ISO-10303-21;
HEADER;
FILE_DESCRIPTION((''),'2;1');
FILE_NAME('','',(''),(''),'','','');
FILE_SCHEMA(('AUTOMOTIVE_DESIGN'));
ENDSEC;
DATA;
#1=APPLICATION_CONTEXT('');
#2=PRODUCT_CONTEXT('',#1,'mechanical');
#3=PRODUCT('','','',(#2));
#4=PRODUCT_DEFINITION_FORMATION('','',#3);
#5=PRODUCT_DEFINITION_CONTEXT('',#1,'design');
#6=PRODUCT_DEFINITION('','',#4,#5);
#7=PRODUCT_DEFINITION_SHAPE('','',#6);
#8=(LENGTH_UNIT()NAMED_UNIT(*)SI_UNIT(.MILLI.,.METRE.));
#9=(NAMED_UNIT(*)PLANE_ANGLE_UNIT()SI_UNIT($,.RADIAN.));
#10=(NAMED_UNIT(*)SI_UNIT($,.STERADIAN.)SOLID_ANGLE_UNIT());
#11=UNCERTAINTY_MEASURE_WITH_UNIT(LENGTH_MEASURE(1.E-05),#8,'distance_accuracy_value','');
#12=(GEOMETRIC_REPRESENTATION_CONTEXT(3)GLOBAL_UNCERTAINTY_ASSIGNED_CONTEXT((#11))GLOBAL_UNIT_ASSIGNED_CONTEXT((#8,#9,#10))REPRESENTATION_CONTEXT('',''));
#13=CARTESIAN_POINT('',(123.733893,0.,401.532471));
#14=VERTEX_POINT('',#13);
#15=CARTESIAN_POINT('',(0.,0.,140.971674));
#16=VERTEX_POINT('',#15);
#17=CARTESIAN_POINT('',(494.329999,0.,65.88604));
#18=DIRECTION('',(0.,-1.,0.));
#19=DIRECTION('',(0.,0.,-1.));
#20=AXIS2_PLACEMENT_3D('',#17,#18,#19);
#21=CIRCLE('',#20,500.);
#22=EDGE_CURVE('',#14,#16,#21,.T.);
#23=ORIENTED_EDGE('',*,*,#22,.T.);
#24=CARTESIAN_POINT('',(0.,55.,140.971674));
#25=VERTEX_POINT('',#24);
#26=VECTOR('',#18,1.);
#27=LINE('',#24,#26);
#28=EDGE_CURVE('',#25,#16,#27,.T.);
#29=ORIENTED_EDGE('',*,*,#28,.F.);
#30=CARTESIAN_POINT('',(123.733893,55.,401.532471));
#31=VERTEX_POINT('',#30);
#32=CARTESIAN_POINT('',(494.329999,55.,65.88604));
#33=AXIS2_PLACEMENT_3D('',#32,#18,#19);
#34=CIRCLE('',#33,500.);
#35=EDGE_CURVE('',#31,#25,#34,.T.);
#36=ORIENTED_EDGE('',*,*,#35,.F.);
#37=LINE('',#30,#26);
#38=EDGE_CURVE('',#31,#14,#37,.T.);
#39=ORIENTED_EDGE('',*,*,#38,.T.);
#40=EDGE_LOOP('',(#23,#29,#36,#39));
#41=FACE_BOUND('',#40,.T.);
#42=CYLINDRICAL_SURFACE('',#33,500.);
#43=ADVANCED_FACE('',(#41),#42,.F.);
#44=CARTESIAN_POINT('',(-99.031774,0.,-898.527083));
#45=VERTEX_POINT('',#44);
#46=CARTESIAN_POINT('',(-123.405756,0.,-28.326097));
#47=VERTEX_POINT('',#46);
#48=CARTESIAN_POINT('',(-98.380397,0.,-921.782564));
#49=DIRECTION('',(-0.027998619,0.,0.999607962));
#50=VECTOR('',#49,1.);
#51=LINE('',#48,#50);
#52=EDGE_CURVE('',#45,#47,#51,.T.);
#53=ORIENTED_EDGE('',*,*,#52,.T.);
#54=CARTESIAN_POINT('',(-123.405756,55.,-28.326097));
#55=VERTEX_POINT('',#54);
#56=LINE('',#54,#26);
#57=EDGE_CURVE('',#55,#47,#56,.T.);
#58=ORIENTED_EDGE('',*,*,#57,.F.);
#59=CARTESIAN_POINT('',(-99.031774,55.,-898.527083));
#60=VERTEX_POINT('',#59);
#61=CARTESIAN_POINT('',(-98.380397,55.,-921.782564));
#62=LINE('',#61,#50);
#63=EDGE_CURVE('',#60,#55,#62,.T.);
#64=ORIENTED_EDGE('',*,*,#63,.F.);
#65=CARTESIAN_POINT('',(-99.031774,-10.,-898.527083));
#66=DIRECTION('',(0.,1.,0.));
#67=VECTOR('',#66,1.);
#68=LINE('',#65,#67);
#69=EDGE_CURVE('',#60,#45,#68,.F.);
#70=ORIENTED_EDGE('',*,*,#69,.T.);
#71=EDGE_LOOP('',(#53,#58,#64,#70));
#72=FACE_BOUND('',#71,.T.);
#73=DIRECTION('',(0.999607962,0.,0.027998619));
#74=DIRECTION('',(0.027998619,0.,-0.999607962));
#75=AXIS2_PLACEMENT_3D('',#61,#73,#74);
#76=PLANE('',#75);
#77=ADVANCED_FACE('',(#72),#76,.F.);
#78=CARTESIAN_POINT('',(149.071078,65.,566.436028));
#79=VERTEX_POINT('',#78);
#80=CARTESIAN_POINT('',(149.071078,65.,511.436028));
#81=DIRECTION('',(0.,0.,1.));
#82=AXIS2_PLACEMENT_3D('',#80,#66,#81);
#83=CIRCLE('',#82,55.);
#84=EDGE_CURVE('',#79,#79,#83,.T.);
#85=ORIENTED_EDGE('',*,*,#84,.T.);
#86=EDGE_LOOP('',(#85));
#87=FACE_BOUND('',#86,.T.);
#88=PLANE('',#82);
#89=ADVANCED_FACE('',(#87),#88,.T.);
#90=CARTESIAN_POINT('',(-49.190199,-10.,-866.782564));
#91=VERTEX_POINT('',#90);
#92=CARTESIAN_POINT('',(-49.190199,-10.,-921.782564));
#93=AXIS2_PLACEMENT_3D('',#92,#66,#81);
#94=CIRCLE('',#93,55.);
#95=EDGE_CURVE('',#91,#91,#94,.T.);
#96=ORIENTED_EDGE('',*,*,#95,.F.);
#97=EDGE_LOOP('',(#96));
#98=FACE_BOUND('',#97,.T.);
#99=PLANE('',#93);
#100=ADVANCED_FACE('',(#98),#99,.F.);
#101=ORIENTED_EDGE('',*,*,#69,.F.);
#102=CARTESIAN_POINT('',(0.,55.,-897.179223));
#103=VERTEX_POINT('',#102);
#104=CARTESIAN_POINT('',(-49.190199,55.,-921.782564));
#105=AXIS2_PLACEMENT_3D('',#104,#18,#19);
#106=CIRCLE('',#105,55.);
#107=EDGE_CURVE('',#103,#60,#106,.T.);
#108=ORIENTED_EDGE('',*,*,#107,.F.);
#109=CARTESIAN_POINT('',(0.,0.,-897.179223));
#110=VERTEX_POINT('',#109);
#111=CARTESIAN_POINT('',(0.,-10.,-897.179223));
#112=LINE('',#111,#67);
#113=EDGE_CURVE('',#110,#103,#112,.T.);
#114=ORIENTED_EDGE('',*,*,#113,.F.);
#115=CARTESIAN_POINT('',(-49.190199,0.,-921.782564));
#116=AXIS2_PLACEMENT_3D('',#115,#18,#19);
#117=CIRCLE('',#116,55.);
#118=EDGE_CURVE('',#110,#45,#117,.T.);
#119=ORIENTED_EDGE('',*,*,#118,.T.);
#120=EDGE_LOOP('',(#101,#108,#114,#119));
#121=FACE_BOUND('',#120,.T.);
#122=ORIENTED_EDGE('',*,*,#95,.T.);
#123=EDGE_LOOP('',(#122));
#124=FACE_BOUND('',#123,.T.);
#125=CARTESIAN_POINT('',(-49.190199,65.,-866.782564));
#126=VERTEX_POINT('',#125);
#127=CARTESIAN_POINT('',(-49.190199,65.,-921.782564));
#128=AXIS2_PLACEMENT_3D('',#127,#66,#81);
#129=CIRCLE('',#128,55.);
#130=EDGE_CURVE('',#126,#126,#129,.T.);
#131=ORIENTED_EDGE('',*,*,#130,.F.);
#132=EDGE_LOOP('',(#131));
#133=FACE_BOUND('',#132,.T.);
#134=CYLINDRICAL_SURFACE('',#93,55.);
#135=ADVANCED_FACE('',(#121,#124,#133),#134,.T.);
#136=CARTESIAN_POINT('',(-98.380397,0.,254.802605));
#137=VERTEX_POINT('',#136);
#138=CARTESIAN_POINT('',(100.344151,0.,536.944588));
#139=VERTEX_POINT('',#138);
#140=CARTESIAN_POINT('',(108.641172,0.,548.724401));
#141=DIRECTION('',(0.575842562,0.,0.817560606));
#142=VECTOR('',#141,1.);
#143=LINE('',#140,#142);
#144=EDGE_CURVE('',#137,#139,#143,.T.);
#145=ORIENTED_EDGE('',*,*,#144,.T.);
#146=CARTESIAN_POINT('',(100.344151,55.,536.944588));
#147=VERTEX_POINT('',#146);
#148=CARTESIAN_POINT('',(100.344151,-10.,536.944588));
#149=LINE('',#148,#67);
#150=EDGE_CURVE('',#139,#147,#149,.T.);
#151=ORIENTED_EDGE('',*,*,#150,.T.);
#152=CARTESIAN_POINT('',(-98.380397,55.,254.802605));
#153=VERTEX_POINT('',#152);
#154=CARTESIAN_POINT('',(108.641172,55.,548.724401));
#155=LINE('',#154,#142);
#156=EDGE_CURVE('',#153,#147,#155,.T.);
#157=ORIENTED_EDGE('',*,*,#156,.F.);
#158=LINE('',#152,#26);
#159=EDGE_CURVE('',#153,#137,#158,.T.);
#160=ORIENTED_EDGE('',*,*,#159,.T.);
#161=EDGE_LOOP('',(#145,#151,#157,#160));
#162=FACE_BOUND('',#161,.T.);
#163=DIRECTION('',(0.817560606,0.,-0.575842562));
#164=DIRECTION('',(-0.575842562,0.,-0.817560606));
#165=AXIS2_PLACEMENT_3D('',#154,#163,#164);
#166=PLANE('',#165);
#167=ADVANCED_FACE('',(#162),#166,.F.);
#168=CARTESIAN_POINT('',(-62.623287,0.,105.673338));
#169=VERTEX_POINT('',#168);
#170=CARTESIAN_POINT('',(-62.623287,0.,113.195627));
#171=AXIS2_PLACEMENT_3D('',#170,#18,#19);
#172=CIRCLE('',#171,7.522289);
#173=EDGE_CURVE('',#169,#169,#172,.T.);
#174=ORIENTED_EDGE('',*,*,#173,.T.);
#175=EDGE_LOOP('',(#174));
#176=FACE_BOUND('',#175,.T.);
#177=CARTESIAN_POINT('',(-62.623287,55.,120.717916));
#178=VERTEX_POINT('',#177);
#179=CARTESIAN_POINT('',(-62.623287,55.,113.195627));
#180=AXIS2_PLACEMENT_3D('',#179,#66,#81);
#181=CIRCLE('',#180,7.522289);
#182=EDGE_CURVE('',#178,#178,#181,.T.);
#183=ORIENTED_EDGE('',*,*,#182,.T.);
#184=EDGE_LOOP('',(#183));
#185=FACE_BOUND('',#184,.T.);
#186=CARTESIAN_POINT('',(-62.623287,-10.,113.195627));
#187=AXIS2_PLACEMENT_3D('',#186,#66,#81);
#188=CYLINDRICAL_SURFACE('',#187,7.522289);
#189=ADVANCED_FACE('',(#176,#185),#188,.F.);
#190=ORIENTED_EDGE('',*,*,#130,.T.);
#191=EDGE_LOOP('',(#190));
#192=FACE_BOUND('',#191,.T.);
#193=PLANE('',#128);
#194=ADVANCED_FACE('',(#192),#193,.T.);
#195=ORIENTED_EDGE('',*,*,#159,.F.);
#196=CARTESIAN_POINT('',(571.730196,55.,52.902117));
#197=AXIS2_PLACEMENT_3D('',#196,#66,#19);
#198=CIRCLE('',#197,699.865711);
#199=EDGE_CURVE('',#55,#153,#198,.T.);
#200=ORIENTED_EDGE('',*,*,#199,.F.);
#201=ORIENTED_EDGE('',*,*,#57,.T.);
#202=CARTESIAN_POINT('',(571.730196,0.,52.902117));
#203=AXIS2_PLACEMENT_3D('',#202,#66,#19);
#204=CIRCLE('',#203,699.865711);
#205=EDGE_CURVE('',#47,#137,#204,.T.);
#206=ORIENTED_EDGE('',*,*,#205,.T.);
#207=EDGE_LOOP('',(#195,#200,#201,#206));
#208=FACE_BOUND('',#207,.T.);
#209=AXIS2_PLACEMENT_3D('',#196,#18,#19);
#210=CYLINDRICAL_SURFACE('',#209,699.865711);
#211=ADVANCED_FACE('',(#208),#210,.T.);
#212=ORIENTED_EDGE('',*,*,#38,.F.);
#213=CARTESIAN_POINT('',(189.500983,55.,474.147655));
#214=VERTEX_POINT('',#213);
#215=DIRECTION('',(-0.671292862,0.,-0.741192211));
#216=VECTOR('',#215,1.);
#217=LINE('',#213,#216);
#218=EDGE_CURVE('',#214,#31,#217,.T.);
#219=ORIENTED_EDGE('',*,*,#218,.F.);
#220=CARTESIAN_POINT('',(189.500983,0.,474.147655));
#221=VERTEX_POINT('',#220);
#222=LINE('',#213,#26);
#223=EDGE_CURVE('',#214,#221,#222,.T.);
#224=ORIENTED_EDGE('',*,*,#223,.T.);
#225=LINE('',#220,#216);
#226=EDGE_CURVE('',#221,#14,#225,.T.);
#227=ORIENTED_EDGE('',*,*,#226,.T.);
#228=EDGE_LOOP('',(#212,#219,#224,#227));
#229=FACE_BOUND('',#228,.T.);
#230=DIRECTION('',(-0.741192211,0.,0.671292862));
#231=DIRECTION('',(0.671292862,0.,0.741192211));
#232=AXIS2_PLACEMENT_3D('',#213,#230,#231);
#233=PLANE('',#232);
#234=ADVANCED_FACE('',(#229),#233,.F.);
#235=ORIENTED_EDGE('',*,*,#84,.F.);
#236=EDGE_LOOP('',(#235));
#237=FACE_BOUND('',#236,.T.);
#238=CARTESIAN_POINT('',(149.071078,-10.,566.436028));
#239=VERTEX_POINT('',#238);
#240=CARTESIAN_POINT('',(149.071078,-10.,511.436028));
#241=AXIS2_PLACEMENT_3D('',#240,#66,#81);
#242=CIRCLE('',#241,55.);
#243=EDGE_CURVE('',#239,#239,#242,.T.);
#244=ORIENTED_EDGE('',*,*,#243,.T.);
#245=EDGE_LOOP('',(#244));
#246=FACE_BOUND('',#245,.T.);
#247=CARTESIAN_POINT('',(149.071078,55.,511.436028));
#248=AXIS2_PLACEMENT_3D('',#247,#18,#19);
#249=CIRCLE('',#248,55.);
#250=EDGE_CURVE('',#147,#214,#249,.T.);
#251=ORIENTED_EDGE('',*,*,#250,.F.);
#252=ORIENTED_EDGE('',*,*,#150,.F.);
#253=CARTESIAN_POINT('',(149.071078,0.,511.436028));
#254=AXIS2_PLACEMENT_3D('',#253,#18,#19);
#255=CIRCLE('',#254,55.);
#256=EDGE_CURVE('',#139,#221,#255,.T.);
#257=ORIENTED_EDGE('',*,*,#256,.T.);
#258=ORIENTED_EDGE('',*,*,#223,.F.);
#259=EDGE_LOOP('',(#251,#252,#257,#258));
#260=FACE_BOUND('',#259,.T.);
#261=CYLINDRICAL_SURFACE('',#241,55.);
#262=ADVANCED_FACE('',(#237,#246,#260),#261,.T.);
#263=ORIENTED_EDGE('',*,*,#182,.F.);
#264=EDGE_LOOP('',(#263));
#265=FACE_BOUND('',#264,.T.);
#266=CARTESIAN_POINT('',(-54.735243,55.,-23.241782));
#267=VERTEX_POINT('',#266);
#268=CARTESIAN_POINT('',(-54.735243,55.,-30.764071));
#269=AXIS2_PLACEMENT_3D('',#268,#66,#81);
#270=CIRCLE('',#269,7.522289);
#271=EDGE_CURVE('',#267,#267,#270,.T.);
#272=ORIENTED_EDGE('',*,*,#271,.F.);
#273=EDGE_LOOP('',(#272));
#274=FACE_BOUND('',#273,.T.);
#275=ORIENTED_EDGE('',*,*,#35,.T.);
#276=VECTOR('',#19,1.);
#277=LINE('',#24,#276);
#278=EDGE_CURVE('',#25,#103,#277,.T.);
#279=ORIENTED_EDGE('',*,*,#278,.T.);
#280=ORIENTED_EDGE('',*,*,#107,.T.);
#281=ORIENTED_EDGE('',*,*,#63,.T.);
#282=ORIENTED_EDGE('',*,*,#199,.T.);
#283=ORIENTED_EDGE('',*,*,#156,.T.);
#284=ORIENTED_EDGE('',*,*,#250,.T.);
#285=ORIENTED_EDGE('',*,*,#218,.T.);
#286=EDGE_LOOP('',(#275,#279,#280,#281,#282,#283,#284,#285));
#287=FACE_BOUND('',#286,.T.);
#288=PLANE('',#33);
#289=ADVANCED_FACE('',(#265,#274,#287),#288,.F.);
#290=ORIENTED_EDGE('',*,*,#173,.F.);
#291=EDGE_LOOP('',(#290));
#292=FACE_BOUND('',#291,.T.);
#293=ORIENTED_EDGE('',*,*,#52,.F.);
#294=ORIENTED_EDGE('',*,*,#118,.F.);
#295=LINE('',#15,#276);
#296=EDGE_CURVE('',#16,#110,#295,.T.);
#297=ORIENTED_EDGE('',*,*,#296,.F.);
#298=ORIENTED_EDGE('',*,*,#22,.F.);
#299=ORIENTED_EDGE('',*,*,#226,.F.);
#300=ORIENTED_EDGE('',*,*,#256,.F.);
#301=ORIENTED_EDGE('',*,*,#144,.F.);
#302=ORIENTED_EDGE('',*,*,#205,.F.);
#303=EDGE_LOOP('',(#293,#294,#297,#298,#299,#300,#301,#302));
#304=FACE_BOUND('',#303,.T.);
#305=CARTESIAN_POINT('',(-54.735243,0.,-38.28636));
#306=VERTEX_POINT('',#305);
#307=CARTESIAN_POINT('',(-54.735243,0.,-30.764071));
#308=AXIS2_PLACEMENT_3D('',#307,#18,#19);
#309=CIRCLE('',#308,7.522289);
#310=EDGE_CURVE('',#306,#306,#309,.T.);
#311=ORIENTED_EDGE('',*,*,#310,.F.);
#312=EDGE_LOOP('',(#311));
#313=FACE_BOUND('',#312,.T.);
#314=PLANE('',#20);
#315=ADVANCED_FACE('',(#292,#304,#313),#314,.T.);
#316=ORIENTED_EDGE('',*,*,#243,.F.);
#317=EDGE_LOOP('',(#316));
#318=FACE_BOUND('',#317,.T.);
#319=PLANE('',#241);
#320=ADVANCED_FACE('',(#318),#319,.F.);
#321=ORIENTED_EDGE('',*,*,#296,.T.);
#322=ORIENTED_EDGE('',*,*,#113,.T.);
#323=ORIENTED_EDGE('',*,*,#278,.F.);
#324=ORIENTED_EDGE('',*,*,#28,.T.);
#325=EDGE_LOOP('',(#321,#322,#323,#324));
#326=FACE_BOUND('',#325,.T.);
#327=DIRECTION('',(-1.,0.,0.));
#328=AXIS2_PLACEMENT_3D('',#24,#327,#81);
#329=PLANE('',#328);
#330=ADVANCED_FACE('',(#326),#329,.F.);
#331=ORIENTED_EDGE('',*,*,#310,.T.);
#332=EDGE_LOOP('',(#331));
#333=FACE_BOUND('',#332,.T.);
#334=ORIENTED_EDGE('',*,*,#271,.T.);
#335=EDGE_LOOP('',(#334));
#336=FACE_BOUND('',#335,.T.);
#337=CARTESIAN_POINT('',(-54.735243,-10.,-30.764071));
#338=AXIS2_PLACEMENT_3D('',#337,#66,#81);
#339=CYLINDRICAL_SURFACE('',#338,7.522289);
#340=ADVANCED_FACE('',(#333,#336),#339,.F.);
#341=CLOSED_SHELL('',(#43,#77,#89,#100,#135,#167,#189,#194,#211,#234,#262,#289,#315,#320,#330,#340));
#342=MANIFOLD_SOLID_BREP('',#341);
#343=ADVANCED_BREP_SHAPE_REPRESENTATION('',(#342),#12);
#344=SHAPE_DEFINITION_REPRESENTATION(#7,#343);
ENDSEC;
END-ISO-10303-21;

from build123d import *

# Parameters (mm, degrees)
BOSS_EXTRUDE1_DEPTH      = 55
BOSS_EXTRUDE2_DEPTH      = 10
BOSS_EXTRUDE2_DEPTH_BACK = 65
SKETCH2_R                = 55
SKETCH3_R                = 7.522289104
CUT_EXTRUDE1_DEPTH       = 1000.987090528


with BuildPart() as part:
    # Sketch1 → Boss-Extrude1 (new body)
    with BuildSketch(Plane(origin=(0, 0, 0), x_dir=(1, 0, 0), z_dir=(0, 1, 0))):
        with BuildLine():
            Line((0, -140.97167407), (0, 921.782563534))
            Line((0, 921.782563534), (-98.380397364, 921.782563534))
            Line((-98.380397364, 921.782563534), (-123.405755698, 28.326097488))
            ThreePointArc((-123.405755698, 28.326097488), (-125.417562899, -114.522053174), (-98.380397364, -254.80260491))
            Line((-98.380397364, -254.80260491), (108.641172319, -548.724400702))
            Line((108.641172319, -548.724400702), (189.500983305, -474.147655215))
            Line((189.500983305, -474.147655215), (123.733893044, -401.532470648))
            ThreePointArc((123.733893044, -401.532470648), (42.669425171, -280.368501556), (0, -140.97167407))
        make_face()
    extrude(amount=BOSS_EXTRUDE1_DEPTH)

    # Sketch2 → Boss-Extrude2 (add, two sides: drawn at the far end of the back side and taken through both)
    with BuildSketch(Plane(origin=(0, 55, 0), x_dir=(1, 0, 0), z_dir=(0, 1, 0)).offset(-BOSS_EXTRUDE2_DEPTH_BACK)):
        with Locations(Location((149.071077812, -511.436027959, 0), (0, 0, 270))):
            Circle(SKETCH2_R)
        with Locations(Location((-49.190198682, 921.782563534, 0), (0, 0, 270))):
            Circle(SKETCH2_R)
    extrude(amount=BOSS_EXTRUDE2_DEPTH + BOSS_EXTRUDE2_DEPTH_BACK)

    # Sketch3 → Cut-Extrude1 (cut, through all)
    with BuildSketch(Plane(origin=(0, 55, 0), x_dir=(1, 0, 0), z_dir=(0, 1, 0))):
        with Locations(Location((-54.735242724, 30.764070808, 0), (0, 0, 270))):
            Circle(SKETCH3_R)
        with Locations(Location((-62.623286792, -113.195627247, 0), (0, 0, 270))):
            Circle(SKETCH3_R)
    extrude(amount=-CUT_EXTRUDE1_DEPTH, mode=Mode.SUBTRACT)


solid = part.part
